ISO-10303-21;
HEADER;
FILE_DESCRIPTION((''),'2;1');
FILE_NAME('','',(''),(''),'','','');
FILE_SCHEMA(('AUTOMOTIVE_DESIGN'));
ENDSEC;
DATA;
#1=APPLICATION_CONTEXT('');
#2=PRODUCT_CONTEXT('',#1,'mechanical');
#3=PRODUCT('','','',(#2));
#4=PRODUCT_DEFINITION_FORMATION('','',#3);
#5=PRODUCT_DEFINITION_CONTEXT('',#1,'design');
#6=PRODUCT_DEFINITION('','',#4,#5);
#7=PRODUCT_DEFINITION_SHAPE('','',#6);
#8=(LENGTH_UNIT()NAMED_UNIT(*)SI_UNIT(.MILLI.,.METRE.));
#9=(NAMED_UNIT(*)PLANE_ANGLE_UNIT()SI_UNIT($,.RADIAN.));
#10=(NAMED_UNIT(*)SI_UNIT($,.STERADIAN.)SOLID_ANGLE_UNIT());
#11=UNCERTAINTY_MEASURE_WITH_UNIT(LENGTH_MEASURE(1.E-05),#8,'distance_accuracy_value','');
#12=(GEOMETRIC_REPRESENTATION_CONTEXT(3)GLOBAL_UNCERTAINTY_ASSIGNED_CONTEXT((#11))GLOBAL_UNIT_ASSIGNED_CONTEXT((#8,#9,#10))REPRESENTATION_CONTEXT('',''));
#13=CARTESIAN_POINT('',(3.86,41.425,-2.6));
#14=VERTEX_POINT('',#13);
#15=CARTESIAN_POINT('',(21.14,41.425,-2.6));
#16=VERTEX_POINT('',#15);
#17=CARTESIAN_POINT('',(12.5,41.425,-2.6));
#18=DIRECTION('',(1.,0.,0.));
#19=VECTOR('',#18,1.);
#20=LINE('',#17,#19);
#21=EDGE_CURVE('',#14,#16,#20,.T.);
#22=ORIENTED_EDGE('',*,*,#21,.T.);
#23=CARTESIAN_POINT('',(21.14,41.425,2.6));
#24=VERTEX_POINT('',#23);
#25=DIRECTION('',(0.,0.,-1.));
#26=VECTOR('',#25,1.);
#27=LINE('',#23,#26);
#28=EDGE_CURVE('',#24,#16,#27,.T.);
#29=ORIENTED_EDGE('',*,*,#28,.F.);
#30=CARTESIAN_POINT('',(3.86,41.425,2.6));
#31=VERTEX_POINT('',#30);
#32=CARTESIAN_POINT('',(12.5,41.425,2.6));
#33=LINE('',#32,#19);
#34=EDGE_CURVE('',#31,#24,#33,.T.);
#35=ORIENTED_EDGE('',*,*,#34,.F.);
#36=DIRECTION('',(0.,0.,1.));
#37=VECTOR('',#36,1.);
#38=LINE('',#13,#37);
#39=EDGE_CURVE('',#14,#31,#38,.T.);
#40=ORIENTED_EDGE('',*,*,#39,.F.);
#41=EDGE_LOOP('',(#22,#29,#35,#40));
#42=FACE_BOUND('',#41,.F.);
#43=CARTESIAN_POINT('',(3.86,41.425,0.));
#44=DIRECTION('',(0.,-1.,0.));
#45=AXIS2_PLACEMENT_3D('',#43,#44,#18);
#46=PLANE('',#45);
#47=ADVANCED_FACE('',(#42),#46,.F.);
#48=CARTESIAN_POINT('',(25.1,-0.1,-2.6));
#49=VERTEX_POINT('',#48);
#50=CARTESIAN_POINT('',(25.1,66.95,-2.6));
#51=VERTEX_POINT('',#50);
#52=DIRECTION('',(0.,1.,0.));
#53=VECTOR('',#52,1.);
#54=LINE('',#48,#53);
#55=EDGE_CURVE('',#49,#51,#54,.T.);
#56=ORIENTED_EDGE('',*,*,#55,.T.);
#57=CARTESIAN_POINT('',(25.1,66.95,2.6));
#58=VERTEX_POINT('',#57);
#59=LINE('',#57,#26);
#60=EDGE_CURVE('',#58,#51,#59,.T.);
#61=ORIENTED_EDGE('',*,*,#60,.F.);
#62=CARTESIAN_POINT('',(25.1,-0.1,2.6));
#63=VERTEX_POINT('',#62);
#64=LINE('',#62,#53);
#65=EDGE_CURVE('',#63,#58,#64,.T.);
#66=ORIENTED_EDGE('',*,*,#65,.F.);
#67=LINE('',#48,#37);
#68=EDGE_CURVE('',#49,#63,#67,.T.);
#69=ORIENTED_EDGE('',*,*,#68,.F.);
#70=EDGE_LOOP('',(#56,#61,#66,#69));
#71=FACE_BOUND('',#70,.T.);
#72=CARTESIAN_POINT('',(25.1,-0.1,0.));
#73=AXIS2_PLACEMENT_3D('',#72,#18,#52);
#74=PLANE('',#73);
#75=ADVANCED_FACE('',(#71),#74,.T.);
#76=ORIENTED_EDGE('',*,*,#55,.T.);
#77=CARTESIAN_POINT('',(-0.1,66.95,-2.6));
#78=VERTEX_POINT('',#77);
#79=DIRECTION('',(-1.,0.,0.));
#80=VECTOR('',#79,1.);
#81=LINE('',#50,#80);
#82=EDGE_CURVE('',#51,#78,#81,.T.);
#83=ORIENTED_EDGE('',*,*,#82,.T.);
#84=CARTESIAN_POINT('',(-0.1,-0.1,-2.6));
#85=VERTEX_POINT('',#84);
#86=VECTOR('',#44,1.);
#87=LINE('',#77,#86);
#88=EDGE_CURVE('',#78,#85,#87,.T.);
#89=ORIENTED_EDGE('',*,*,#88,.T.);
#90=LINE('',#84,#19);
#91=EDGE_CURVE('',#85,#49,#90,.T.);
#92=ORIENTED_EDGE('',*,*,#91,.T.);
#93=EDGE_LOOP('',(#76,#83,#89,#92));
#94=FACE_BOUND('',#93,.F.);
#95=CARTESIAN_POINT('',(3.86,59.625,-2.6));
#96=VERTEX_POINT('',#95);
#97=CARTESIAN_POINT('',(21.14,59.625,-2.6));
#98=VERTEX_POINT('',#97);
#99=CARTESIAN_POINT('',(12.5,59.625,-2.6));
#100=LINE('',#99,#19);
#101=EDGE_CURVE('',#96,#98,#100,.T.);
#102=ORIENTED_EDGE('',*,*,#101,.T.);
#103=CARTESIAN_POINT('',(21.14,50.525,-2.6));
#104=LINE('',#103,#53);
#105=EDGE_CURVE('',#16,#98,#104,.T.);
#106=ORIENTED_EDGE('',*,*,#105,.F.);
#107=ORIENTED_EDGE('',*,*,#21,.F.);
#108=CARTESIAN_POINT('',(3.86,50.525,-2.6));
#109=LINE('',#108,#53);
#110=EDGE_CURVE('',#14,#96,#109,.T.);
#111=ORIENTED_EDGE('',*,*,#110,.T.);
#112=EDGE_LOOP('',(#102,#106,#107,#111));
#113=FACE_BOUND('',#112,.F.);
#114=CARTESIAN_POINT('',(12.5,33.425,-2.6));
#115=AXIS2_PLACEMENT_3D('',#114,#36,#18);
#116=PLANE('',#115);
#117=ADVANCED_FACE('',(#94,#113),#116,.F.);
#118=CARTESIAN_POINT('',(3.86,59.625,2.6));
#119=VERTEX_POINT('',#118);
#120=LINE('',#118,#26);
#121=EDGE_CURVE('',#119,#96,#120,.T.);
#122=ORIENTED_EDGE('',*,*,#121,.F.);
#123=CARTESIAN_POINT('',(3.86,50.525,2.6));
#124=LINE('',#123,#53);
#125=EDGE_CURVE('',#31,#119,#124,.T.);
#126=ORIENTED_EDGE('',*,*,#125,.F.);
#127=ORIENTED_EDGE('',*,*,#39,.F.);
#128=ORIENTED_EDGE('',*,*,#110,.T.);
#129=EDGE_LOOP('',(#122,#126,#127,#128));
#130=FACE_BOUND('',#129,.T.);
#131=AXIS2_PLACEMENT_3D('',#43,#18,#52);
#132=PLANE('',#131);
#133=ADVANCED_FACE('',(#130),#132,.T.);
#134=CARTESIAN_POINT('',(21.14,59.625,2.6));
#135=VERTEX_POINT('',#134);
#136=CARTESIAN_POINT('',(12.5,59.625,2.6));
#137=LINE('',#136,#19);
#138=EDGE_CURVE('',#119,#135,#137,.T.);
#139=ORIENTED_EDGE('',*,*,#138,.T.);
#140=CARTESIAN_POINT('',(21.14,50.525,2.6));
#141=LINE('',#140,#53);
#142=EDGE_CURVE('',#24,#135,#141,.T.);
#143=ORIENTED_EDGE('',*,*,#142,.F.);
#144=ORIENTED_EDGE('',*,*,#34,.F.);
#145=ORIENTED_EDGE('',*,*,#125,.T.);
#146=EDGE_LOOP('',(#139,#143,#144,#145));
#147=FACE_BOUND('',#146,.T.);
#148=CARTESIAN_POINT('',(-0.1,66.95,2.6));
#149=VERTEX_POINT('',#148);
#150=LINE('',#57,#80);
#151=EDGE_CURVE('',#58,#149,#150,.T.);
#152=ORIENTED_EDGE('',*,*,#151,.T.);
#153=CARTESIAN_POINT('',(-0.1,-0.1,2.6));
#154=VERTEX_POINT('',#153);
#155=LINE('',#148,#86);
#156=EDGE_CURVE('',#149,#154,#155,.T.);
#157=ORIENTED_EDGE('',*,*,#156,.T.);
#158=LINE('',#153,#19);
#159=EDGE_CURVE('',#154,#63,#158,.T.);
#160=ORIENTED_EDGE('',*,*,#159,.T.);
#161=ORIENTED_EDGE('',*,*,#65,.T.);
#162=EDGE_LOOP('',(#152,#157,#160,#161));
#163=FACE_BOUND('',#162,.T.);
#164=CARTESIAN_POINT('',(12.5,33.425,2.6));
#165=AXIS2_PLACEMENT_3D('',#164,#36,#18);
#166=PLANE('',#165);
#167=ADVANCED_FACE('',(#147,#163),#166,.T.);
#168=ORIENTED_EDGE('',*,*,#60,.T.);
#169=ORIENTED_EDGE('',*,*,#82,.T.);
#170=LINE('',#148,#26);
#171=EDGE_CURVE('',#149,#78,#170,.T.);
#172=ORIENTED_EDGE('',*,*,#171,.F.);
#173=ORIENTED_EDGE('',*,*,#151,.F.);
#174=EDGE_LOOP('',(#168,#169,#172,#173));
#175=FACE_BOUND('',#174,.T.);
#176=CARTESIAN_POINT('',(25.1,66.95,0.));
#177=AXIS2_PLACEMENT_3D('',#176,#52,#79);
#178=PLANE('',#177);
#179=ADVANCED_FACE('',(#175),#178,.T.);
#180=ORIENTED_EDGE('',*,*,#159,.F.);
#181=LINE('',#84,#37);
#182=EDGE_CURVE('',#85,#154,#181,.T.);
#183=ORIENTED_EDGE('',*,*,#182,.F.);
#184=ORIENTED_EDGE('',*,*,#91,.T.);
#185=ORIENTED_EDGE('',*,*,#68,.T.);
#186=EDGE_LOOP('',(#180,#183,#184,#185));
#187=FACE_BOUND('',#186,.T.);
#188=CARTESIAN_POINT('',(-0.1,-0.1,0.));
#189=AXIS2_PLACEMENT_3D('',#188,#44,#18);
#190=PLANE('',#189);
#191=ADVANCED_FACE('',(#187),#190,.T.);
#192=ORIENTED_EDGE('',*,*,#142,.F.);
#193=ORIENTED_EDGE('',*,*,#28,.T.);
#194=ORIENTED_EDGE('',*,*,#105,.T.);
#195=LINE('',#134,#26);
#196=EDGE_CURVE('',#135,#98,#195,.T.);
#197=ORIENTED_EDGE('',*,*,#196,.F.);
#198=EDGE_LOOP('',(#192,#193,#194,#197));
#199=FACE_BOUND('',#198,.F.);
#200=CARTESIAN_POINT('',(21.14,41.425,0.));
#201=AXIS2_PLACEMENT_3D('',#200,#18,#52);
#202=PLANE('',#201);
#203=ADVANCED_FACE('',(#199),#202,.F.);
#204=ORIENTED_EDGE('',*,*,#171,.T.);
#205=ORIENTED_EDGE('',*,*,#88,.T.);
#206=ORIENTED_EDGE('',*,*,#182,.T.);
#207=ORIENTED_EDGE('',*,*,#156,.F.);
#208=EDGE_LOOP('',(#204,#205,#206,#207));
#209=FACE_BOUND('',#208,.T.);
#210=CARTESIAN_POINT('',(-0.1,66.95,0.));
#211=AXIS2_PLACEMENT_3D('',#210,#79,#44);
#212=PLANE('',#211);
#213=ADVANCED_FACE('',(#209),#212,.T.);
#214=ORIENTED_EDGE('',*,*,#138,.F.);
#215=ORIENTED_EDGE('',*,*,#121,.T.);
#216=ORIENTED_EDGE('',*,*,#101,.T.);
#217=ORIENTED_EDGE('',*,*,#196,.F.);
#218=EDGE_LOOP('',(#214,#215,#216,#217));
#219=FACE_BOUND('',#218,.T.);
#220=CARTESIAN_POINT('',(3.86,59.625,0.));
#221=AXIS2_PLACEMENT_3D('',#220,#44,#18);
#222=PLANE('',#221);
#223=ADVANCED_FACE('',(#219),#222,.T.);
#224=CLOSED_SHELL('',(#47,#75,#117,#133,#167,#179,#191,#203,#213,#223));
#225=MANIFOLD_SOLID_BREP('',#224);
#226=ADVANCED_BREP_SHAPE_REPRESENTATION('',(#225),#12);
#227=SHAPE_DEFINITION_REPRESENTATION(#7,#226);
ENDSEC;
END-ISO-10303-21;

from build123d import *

# Parameters (mm, degrees)
SKETCH1_W           = 17.28
SKETCH1_H           = 18.2
BOSS_EXTRUDE1_DEPTH = 2.6


with BuildPart() as part:
    # Sketch1 → Boss-Extrude1 (new body, symmetric)
    with BuildSketch(Plane.XY):
        Polygon((-0.1, 66.95), (-0.1, 44.55), (-0.1, 39.4), (-0.1, 27.45), (-0.1, 22.3), (-0.1, -0.1), (25.1, -0.1), (25.1, 22.3), (25.1, 27.45), (25.1, 39.4), (25.1, 44.55), (25.1, 66.95), align=None)
        with Locations((12.5, 50.525)):
            Rectangle(SKETCH1_W, SKETCH1_H, mode=Mode.SUBTRACT)
    extrude(amount=BOSS_EXTRUDE1_DEPTH, both=True)


solid = part.part
